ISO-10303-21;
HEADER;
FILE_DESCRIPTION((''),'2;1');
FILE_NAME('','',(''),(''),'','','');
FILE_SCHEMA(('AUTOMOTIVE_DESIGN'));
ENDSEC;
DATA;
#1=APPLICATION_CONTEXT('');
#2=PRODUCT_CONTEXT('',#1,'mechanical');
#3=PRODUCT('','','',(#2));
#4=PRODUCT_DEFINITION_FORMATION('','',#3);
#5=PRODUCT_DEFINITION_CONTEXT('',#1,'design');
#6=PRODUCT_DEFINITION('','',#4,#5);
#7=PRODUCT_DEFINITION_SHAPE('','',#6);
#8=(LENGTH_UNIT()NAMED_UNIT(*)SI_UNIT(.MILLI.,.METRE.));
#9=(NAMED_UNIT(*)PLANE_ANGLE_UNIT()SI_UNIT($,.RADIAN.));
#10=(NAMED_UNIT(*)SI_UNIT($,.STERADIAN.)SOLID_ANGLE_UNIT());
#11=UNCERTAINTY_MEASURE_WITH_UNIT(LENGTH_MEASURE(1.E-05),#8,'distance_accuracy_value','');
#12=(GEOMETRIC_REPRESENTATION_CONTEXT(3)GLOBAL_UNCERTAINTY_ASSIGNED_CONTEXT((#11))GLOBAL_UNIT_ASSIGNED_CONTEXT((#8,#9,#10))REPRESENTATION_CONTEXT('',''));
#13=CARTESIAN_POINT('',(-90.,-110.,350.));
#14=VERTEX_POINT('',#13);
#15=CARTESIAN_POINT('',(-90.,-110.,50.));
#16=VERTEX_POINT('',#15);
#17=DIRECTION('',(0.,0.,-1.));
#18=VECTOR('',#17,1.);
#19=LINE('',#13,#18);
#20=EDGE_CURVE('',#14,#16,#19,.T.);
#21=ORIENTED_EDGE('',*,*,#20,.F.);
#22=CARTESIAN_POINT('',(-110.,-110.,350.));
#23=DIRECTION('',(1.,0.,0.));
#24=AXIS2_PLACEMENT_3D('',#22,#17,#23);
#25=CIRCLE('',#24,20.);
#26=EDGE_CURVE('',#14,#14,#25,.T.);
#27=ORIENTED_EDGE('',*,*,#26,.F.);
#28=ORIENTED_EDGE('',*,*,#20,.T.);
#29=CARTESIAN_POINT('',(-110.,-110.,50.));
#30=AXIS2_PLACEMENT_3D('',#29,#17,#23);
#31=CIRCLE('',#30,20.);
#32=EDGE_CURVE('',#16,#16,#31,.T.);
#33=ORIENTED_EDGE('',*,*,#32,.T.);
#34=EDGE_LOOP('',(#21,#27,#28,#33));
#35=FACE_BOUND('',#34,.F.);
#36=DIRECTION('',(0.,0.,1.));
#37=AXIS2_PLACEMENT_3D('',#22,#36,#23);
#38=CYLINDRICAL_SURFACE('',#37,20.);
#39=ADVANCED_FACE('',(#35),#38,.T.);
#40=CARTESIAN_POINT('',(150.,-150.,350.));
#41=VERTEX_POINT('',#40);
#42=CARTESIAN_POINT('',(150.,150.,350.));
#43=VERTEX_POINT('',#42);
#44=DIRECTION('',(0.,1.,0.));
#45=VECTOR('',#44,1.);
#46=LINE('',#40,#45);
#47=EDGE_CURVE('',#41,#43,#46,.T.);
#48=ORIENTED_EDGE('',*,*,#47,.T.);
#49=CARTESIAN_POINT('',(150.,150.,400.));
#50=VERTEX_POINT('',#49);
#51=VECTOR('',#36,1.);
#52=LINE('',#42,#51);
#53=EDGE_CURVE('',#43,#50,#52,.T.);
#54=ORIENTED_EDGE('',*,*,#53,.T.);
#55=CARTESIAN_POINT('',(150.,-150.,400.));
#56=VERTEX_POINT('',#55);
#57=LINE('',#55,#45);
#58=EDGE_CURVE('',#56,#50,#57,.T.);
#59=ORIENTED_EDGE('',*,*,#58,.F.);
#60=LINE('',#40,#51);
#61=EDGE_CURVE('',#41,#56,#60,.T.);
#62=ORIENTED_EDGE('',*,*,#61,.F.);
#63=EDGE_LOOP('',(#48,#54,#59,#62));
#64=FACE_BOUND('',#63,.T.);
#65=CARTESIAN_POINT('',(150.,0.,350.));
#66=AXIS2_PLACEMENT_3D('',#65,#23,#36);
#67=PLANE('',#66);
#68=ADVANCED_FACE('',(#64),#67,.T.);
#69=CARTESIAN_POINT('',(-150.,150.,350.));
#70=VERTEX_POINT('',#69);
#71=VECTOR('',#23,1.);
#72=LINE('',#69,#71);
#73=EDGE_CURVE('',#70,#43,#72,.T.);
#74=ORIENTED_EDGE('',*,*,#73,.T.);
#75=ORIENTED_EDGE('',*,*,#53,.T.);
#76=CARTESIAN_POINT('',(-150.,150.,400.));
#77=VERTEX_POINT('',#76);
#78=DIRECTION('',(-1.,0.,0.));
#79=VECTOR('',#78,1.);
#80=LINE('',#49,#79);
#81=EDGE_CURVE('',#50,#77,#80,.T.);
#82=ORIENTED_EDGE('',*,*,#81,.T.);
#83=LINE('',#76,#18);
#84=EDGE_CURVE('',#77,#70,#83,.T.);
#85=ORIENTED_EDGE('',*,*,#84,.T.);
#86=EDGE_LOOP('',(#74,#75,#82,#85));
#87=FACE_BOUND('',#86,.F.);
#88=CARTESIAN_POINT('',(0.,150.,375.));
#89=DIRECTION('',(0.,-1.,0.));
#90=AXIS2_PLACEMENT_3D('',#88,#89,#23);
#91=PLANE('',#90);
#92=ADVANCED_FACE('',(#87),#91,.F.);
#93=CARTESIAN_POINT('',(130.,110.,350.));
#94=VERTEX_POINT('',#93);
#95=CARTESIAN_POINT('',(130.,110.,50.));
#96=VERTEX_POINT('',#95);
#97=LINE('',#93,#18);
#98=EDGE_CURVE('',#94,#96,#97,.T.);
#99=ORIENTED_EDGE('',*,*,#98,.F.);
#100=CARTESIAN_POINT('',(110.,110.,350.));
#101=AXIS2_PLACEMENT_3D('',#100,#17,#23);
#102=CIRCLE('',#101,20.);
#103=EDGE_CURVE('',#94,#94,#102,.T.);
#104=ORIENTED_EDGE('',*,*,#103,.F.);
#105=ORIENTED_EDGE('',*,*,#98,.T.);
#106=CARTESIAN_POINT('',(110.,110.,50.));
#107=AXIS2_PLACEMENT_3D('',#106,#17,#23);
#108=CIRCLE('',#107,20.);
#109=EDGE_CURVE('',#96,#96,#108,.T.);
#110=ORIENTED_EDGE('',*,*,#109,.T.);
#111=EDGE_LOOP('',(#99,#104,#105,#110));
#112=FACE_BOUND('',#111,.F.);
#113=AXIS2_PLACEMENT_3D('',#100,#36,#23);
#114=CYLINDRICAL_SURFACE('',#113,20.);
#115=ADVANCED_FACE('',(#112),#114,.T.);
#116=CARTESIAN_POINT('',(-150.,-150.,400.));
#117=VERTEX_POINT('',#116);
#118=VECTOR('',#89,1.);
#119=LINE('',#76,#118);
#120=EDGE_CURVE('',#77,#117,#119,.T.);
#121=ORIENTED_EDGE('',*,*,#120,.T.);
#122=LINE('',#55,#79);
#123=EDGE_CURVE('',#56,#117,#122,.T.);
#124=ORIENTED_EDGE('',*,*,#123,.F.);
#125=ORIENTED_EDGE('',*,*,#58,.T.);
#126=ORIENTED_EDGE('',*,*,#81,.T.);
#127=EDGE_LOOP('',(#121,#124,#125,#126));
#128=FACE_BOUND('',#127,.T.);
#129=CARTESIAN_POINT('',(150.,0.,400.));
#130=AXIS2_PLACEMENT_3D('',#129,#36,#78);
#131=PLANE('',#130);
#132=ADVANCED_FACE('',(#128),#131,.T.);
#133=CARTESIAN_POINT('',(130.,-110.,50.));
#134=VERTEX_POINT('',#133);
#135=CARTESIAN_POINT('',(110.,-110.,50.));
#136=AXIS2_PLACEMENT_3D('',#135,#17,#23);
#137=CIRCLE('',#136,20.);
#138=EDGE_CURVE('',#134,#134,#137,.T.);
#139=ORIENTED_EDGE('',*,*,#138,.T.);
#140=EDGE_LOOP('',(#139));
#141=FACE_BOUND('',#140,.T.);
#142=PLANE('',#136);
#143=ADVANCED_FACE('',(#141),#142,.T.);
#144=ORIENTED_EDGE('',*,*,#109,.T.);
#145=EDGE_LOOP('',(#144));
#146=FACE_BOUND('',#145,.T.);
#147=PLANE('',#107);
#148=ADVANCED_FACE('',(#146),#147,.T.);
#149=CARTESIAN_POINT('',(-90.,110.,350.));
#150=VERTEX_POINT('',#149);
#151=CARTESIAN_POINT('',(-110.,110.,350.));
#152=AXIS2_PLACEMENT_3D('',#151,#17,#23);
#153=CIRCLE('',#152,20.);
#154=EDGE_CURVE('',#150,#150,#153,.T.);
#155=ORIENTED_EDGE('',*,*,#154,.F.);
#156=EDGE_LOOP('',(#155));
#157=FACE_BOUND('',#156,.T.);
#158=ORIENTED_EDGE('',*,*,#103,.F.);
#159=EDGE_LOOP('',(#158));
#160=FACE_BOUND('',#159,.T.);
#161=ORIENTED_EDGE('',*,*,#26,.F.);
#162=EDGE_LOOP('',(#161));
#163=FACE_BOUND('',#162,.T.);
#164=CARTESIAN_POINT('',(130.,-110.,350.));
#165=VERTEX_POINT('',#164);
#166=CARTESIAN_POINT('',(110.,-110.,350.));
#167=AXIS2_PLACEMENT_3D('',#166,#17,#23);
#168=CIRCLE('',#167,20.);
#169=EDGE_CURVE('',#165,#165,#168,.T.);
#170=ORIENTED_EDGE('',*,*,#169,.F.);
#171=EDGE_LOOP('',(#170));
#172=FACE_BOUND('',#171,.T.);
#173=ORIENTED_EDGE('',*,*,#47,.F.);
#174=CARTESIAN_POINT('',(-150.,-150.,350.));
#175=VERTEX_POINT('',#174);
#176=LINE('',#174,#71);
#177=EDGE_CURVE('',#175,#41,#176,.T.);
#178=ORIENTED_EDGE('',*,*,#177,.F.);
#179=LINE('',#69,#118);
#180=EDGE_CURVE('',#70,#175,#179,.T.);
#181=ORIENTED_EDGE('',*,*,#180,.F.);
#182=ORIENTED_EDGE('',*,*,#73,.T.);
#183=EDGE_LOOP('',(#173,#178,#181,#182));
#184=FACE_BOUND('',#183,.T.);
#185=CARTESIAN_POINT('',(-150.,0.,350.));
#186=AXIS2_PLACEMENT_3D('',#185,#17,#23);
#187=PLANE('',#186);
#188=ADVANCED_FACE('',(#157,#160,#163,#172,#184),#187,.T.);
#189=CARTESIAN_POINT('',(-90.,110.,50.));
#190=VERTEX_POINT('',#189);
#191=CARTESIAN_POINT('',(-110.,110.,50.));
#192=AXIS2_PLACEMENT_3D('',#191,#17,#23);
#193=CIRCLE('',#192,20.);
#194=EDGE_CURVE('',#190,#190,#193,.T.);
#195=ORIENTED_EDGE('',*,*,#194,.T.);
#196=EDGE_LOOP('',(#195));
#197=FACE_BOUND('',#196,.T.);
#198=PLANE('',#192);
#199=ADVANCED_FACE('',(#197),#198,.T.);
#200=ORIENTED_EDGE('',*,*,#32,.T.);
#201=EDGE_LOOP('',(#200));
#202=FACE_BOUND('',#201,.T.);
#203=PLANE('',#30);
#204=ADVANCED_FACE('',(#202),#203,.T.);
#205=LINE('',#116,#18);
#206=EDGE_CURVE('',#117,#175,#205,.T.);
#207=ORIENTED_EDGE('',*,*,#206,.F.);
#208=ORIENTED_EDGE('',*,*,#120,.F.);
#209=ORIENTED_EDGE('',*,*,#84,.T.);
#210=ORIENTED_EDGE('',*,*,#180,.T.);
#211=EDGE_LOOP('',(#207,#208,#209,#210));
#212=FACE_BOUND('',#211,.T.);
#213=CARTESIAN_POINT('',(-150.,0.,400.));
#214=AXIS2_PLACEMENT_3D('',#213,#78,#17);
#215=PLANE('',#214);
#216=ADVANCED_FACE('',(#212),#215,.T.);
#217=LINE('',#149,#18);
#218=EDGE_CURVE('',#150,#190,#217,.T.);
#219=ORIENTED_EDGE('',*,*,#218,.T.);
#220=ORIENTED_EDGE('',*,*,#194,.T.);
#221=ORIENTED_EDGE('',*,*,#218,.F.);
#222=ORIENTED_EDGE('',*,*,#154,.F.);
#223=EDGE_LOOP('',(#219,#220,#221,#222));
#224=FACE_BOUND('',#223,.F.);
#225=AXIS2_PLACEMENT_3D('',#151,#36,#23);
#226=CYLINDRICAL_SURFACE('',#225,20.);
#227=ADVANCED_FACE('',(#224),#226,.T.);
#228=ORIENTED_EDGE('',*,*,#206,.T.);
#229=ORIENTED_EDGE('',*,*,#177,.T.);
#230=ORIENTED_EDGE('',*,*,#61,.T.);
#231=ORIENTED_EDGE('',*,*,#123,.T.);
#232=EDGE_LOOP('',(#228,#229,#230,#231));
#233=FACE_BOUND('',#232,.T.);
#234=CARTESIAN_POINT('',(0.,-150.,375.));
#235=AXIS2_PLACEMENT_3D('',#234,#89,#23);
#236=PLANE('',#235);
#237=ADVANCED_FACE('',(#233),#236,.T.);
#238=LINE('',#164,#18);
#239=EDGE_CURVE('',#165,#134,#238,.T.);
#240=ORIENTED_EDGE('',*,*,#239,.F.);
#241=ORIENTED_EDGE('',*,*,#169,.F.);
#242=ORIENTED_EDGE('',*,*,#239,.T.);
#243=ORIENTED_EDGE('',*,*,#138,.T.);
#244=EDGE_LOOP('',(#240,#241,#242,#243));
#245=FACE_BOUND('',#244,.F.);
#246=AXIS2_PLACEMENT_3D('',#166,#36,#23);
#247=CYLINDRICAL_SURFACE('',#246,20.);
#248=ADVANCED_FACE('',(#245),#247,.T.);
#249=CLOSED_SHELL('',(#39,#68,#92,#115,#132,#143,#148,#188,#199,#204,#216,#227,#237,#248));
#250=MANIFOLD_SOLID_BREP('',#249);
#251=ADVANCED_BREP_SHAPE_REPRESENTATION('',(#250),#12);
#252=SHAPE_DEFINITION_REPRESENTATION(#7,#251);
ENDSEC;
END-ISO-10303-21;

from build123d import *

# Parameters (mm, degrees)
F1_DEPTH = 150
F2_R     = 20
F3_DEPTH = 300


with BuildPart() as f1:
    # F0 (on Front) → F1 (new body, symmetric)
    with BuildSketch(Plane.XZ):
        Polygon((150, 400), (-150, 400), (-150, 350), (-130, 350), (150, 350), align=None)
    extrude(amount=F1_DEPTH, both=True)

    # F2 (on face) → F3 (join)
    with BuildSketch(Plane(origin=(0, 0, 350), x_dir=(1, 0, 0), z_dir=(0, 0, -1))):
        with Locations((110, 110)):
            Circle(F2_R)
        with Locations((-110, 110)):
            Circle(F2_R)
        with Locations((-110, -110)):
            Circle(F2_R)
        with Locations((110, -110)):
            Circle(F2_R)
    extrude(amount=F3_DEPTH)


solid = f1.part
